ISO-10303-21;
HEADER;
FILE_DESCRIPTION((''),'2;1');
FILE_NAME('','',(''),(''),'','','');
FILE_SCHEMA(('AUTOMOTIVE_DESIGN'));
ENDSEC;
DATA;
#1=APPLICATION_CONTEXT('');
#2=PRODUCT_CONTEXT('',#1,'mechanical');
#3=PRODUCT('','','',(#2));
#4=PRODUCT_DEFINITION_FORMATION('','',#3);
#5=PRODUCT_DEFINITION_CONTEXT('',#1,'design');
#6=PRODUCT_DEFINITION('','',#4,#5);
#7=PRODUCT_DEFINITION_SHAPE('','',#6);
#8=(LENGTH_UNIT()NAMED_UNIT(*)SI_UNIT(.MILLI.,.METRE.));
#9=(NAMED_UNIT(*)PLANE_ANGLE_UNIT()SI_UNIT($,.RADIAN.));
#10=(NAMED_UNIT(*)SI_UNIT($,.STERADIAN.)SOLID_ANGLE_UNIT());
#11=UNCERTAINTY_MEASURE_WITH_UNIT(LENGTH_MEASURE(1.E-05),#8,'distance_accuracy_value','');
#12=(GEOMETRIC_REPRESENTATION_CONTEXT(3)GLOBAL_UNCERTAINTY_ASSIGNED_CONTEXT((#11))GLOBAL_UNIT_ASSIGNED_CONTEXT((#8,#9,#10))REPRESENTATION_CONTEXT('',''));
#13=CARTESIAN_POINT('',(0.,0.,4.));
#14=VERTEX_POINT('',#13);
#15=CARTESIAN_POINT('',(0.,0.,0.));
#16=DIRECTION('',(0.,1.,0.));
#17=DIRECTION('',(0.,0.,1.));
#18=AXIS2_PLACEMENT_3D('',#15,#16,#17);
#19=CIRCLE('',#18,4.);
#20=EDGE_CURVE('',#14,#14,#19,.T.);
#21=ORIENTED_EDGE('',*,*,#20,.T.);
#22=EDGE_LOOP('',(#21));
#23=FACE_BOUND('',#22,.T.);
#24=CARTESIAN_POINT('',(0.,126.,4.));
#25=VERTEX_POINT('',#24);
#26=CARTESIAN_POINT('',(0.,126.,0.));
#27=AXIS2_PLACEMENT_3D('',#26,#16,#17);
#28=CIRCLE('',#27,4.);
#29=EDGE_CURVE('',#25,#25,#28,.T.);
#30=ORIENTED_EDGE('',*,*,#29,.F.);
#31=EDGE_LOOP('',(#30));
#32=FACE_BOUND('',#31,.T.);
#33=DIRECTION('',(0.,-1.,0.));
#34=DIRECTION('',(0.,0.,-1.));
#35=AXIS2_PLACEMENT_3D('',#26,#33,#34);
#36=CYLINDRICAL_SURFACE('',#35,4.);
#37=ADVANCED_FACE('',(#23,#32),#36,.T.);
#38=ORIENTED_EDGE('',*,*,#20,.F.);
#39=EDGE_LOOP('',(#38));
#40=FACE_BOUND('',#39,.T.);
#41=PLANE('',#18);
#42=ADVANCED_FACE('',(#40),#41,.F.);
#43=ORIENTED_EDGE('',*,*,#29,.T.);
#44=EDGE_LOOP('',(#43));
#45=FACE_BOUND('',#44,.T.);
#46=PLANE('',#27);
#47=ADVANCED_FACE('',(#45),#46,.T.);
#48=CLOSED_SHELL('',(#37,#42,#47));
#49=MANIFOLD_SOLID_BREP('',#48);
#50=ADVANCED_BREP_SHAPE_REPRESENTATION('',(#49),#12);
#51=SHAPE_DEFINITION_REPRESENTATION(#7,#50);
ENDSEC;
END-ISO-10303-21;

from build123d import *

# Parameters (mm, degrees)
SKETCH1_R           = 4
BOSS_EXTRUDE1_DEPTH = 126


with BuildPart() as part:
    # Sketch1 → Boss-Extrude1 (new body)
    with BuildSketch(Plane(origin=(0, 0, 0), x_dir=(1, 0, 0), z_dir=(0, 1, 0))):
        with Locations(Location((0, 0, 0), (0, 0, 270))):  # turned: the seam where the file's is
            Circle(SKETCH1_R)
    extrude(amount=BOSS_EXTRUDE1_DEPTH)


solid = part.part
